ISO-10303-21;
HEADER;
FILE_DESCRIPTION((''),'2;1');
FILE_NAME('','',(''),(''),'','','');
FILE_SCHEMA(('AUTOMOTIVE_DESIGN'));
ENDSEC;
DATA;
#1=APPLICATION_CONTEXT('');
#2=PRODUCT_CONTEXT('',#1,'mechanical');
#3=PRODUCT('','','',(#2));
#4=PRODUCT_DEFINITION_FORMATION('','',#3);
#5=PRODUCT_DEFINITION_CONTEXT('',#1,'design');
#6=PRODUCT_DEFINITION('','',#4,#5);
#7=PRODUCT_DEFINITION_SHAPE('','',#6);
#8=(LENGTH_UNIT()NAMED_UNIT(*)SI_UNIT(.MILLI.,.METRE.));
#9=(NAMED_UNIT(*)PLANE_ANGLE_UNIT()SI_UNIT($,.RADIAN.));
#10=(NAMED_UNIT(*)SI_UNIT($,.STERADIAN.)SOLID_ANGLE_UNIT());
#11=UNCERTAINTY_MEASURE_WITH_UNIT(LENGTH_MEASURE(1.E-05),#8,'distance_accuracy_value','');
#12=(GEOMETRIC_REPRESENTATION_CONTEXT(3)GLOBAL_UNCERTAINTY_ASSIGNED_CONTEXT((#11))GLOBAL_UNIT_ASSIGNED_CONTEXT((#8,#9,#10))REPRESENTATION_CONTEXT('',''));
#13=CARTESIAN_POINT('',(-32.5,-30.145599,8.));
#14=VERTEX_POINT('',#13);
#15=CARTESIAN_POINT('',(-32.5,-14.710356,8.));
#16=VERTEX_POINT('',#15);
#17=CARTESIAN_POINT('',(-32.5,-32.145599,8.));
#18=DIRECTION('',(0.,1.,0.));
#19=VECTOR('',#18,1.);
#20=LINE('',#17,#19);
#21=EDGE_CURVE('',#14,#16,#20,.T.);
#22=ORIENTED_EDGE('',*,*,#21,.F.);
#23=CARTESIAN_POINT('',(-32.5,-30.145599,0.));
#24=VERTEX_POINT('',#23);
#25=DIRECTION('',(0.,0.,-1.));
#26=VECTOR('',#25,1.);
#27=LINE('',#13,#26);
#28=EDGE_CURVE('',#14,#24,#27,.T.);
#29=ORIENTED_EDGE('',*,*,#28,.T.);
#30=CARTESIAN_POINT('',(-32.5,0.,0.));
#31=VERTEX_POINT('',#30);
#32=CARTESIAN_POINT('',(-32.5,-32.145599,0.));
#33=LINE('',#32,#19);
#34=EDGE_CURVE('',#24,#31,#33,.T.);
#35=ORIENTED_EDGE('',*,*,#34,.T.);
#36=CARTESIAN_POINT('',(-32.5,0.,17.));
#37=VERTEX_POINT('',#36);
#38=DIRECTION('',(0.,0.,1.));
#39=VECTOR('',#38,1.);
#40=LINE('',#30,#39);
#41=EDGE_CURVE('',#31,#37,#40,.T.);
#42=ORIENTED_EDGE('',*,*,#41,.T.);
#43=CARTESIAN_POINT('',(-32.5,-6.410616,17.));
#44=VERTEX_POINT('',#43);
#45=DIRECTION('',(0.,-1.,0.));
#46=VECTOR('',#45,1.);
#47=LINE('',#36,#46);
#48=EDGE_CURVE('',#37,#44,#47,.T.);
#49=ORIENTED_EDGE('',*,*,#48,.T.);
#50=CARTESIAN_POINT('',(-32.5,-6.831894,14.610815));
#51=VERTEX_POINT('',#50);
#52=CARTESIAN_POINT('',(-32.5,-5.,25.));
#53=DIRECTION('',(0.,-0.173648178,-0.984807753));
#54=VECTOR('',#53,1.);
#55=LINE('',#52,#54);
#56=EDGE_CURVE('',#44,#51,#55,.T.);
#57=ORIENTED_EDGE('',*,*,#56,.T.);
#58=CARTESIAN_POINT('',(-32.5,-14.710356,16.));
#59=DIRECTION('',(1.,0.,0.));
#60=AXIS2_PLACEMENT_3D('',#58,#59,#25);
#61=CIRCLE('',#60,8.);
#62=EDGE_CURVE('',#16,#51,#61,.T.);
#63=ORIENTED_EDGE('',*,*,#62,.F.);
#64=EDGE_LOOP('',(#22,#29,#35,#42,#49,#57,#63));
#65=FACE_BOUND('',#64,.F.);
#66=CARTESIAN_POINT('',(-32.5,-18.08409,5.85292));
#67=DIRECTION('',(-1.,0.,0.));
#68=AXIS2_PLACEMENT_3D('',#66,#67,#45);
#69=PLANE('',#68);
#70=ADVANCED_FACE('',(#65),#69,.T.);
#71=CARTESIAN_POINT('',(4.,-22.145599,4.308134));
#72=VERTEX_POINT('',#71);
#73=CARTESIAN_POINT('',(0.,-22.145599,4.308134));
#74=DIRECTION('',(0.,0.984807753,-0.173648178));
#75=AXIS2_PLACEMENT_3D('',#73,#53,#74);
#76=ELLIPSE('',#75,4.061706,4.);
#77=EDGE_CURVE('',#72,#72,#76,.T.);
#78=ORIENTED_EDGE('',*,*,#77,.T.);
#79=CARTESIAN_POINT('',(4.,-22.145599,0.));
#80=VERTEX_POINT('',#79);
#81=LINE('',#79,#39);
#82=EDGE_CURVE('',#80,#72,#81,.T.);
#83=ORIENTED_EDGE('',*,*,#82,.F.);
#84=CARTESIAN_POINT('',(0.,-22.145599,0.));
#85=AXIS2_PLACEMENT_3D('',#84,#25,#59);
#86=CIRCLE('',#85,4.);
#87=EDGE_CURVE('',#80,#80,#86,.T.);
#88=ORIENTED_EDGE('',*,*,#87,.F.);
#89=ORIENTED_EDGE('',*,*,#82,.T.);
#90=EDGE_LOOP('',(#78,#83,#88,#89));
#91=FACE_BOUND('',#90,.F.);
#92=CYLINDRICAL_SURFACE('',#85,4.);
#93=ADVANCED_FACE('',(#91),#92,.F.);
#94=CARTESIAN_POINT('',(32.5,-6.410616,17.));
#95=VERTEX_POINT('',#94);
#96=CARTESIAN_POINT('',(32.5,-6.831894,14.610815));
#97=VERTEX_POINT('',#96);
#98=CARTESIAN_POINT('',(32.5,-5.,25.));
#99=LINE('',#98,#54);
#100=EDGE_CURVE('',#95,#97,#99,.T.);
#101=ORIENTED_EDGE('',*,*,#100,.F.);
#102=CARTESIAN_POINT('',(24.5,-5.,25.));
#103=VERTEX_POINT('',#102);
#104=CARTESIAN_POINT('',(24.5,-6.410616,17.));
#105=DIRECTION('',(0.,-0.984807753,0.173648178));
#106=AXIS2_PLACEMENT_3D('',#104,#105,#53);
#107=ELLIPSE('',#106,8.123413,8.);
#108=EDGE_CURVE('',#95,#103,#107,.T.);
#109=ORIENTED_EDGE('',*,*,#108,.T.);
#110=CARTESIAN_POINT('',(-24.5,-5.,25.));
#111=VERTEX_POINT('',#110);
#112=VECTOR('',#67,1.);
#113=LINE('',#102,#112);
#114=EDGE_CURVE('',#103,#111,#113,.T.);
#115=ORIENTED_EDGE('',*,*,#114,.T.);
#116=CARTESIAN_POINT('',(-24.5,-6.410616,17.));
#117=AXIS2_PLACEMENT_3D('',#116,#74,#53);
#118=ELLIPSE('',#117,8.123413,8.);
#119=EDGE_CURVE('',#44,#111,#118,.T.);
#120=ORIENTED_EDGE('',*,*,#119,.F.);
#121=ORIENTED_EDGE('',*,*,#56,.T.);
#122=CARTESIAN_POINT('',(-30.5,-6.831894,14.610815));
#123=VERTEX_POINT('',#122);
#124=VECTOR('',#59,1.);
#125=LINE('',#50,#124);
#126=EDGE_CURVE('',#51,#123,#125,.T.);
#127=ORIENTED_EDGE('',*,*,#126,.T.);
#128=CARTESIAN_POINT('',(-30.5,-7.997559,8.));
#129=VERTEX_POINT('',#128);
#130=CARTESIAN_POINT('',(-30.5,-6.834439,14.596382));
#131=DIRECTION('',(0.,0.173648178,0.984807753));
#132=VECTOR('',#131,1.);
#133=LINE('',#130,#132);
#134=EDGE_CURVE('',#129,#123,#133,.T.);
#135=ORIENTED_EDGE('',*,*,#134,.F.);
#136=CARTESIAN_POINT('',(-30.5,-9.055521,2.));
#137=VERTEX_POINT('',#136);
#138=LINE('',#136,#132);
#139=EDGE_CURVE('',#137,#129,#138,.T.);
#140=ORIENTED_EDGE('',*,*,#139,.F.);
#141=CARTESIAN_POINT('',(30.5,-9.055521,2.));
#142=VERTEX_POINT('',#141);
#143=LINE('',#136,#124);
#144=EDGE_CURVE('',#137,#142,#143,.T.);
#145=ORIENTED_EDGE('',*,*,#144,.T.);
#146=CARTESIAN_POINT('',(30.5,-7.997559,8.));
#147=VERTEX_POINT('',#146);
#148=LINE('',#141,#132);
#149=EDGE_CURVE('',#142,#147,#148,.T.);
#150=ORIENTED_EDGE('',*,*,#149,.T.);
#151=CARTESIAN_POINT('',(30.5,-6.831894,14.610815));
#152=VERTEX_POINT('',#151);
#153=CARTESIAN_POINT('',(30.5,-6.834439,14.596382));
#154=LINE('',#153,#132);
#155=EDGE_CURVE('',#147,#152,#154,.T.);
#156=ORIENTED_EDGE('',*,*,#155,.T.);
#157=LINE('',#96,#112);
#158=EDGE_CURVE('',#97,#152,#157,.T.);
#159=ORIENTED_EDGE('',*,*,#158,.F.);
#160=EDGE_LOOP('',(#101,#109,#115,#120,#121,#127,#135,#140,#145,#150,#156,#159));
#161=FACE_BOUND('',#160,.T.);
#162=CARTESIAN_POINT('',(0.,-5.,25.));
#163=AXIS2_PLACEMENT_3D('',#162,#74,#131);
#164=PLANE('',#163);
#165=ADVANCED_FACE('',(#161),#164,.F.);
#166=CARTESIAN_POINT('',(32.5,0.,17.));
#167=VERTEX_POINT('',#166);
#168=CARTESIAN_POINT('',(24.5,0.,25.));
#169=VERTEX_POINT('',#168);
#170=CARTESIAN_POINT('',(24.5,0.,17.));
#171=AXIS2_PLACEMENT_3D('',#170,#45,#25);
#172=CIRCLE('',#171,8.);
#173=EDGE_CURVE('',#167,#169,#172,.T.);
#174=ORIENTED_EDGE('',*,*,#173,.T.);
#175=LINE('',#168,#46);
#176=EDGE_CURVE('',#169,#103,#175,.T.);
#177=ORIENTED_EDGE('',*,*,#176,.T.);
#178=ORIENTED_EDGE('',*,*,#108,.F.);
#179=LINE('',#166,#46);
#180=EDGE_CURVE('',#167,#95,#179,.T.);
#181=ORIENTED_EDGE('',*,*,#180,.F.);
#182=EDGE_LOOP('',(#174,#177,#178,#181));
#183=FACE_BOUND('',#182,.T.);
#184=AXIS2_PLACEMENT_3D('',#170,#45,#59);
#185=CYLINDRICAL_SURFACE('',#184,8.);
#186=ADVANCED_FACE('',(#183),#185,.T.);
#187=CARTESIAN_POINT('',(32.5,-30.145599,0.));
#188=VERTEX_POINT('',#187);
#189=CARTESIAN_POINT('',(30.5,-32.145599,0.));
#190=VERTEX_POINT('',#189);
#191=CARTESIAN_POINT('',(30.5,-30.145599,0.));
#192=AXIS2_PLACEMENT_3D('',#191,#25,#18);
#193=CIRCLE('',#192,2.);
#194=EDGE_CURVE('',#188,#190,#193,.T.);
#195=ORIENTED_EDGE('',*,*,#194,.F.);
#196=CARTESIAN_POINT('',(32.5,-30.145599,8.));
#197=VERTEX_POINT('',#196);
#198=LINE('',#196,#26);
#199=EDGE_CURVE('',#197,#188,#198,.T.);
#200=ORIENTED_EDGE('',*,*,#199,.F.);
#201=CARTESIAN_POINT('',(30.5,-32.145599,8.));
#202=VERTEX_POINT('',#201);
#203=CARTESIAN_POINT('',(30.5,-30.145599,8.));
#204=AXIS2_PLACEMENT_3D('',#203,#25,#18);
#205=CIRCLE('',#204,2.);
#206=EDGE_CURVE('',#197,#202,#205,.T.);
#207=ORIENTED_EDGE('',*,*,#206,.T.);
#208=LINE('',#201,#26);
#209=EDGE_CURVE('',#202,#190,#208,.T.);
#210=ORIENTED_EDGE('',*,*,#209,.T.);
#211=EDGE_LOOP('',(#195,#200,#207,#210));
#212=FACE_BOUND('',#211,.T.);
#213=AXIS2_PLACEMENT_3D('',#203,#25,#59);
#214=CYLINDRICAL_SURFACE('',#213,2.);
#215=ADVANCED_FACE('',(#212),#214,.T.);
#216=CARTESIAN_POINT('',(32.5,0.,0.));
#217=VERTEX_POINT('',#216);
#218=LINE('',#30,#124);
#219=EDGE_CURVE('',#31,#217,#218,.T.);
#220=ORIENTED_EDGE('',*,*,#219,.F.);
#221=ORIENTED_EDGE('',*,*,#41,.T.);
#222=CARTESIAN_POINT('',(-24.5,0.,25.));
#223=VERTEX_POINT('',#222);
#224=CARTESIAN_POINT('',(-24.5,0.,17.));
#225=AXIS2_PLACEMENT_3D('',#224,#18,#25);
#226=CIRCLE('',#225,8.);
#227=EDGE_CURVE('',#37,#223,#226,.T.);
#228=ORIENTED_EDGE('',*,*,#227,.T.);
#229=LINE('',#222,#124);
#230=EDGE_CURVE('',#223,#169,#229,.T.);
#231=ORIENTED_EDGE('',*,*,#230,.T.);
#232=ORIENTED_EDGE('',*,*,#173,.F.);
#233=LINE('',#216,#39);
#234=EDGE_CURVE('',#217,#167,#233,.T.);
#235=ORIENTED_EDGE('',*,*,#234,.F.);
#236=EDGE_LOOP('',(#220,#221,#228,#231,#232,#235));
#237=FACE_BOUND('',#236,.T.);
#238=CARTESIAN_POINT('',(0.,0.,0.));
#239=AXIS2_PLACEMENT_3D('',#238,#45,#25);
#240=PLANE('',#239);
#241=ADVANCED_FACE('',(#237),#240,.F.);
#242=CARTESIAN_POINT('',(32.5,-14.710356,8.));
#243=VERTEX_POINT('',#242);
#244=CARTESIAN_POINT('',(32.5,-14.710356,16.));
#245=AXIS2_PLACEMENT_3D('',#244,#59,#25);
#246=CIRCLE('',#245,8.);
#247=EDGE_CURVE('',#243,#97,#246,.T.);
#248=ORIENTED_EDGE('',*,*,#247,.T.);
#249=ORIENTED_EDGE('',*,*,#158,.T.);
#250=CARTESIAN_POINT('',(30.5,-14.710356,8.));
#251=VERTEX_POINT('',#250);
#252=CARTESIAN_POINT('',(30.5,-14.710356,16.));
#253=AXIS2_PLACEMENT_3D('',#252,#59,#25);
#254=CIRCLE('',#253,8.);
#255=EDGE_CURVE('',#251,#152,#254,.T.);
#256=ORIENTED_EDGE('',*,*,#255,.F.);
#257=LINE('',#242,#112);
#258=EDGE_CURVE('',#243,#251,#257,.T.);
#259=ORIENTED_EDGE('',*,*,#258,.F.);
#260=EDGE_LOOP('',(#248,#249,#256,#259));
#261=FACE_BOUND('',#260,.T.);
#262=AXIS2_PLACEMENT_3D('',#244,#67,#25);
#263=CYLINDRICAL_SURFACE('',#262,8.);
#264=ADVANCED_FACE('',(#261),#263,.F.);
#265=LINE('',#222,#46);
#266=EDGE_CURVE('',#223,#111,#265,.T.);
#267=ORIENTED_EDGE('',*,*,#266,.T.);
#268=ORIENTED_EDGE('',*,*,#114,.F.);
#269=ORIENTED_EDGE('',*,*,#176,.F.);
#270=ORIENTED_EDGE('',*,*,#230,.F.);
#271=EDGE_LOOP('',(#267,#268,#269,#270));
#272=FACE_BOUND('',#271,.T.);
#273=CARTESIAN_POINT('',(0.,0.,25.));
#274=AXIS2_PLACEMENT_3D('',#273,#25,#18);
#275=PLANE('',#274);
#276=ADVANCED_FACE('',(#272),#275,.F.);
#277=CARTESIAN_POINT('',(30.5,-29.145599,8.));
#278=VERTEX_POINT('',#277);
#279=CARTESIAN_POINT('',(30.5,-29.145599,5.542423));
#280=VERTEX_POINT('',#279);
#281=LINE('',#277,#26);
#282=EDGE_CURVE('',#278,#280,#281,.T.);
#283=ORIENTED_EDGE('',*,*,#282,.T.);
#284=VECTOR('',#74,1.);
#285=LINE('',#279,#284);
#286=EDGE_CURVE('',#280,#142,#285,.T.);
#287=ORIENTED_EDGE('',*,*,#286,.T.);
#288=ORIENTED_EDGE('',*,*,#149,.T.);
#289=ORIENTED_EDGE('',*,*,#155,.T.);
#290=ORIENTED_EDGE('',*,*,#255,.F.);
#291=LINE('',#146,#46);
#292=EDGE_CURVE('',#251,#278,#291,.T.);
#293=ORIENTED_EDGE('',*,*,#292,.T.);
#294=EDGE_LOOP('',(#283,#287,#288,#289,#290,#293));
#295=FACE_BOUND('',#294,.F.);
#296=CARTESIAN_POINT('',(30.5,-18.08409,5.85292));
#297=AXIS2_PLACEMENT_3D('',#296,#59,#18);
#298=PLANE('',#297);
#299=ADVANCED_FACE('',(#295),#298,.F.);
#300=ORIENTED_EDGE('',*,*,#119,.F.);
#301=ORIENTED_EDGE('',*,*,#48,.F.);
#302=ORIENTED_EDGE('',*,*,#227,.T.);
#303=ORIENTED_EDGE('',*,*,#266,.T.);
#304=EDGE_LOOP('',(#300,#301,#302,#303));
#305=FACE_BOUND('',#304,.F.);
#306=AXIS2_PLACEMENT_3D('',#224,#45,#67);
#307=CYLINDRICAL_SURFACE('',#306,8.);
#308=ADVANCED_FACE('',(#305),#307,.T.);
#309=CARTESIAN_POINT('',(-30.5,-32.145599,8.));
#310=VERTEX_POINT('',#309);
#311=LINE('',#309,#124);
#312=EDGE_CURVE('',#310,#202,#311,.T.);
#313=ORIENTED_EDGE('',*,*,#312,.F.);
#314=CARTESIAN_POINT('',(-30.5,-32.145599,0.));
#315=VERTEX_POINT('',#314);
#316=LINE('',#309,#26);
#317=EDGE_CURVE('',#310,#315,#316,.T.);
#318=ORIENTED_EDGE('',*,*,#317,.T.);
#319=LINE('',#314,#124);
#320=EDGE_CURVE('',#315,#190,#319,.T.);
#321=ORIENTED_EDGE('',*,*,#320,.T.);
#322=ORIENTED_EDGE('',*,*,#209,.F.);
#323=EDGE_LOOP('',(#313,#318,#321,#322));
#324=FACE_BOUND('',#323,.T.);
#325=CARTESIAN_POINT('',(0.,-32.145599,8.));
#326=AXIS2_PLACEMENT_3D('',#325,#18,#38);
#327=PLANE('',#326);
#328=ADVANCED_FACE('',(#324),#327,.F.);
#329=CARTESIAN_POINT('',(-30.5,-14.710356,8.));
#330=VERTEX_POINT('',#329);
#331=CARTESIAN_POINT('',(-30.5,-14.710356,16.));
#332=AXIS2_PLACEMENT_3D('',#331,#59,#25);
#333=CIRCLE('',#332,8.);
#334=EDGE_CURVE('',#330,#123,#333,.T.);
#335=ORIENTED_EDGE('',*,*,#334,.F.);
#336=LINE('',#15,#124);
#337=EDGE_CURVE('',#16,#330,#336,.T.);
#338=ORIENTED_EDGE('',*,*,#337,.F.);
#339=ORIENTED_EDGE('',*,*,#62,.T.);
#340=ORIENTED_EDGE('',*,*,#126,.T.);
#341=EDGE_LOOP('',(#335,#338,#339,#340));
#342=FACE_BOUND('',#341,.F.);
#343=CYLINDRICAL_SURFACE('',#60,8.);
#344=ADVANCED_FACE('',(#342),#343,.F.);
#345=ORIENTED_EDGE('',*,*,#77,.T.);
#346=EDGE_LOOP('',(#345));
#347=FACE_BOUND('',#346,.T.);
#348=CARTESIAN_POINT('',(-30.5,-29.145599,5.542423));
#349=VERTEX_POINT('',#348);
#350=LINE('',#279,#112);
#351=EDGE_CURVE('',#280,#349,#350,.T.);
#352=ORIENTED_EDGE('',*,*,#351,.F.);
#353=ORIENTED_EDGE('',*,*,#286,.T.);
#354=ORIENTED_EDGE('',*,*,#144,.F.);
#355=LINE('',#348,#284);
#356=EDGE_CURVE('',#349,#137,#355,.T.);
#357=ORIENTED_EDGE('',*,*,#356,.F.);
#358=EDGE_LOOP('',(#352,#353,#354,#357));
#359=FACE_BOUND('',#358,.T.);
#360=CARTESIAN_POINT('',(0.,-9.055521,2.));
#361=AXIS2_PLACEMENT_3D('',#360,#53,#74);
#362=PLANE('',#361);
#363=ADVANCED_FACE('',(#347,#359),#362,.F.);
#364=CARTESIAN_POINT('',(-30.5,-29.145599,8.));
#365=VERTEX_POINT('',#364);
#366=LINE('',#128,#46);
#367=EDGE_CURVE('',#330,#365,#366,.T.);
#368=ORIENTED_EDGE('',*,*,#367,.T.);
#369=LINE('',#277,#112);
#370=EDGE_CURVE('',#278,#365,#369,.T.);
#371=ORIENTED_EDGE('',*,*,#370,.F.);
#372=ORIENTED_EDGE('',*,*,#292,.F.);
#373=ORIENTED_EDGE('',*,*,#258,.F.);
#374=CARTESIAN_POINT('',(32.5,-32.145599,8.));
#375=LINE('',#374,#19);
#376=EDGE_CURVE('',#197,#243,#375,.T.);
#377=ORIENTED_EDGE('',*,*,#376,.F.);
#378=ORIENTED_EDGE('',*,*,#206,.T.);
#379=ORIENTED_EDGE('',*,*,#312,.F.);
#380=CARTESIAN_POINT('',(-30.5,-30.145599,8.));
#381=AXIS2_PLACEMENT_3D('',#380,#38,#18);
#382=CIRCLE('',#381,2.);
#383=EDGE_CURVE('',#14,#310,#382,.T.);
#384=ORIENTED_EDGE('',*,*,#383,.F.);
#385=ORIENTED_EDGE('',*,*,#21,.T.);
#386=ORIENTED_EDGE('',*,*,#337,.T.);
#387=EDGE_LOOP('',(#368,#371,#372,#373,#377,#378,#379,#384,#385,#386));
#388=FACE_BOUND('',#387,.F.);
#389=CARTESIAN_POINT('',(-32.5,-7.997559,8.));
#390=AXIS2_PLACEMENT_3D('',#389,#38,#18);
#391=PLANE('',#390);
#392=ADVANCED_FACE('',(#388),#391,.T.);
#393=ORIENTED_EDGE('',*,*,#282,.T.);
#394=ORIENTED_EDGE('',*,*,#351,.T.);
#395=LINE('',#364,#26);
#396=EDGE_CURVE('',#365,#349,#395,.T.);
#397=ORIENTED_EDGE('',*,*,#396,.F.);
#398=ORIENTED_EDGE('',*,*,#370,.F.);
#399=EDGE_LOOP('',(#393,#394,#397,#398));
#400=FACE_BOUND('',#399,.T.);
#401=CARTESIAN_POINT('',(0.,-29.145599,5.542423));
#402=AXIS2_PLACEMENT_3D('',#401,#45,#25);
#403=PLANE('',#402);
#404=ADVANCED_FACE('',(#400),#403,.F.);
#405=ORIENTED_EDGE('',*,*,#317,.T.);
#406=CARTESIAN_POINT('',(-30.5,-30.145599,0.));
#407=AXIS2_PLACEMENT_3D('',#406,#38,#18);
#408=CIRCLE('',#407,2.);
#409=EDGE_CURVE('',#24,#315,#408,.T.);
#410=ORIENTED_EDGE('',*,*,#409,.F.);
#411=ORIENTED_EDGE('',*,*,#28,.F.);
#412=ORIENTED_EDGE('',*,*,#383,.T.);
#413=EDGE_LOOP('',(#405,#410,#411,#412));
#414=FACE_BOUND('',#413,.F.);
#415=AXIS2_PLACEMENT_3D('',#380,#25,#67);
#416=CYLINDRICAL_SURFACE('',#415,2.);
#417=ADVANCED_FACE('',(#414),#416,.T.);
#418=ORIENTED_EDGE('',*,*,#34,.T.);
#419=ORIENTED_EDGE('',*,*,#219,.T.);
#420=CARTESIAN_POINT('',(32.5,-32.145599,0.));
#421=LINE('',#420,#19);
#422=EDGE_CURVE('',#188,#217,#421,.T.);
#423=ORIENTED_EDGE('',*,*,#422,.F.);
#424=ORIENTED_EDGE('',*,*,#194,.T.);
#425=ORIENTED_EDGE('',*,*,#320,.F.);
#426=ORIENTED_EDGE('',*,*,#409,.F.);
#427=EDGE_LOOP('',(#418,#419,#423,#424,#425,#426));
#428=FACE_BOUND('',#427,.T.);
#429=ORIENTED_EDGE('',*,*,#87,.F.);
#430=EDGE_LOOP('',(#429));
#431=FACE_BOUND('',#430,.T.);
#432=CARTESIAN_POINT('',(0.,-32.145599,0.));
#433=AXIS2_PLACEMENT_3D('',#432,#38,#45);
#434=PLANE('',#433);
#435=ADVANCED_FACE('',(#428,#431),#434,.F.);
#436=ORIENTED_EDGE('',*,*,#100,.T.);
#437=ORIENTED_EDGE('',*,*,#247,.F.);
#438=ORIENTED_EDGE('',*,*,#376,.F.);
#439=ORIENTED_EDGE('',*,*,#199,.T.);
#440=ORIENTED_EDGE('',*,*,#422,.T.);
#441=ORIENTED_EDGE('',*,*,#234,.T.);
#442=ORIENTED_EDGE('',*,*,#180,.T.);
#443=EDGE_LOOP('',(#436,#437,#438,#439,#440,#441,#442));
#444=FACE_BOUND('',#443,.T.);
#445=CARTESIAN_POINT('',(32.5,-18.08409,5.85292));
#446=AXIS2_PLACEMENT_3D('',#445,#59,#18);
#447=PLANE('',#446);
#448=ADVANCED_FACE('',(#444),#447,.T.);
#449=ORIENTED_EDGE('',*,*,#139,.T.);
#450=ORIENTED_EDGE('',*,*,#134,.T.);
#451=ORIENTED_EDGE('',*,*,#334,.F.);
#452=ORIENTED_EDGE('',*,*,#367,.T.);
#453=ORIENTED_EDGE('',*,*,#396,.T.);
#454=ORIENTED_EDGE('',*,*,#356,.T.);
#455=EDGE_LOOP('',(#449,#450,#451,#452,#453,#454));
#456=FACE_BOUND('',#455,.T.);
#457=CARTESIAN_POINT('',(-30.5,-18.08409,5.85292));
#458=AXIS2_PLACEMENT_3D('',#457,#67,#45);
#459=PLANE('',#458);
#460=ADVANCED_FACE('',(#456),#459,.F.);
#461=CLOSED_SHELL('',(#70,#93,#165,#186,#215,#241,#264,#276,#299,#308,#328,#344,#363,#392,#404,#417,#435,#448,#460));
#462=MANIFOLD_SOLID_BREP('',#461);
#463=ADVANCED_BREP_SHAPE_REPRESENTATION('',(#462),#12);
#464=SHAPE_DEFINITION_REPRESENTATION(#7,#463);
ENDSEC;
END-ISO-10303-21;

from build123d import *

# Parameters (mm, degrees)
F1_DEPTH = 32.5
F3_DEPTH = 2
F4_R     = 8
F5_R     = 2
F7_R     = 4
F8_DEPTH = 5.0144418823


with BuildPart() as f1:
    # F0 (on Right) → F1 (new body)
    with BuildSketch(Plane.YZ):
        Polygon((-32.1455987177, 8), (-32.1455987177, 0), (0, 0), (0, 25), (-5, 25), (-9.0555205563, 2), (-29.1455987177, 5.5424228244), (-29.1455987177, 8), align=None)
    extrude(amount=F1_DEPTH)

    # F2 (on face) → F3 (join)
    with BuildSketch(Plane.YZ.offset(32.5)):
        Polygon((-7.997558672, 8), (-29.1455987177, 8), (-29.1455987177, 5.5424228244), (-9.0555205563, 2), align=None)
    extrude(amount=-F3_DEPTH)

    # F4
    f4_edges = [f1.edges().sort_by_distance(p)[0] for p in [
        (31.5, -7.997559, 8),
        (32.5, -2.5, 25),
    ]]
    fillet(f4_edges, radius=F4_R)

    # F5
    f5_edges = [f1.edges().sort_by_distance(p)[0] for p in [
        (32.5, -32.145599, 4),
    ]]
    fillet(f5_edges, radius=F5_R)

    # F6: F1 across plane


with BuildPart() as f1_1:
    add(f1.part)
    add(f1.part.mirror(Plane.YZ))

    # F7 (on face) → F8 (cut, through all)
    with BuildSketch(Plane(origin=(0, 0, 0), x_dir=(1, 0, 0), z_dir=(0, 0, -1))):
        with Locations((0, 22.1455987177)):
            Circle(F7_R)
    extrude(amount=-F8_DEPTH, mode=Mode.SUBTRACT)


solid = f1_1.part
